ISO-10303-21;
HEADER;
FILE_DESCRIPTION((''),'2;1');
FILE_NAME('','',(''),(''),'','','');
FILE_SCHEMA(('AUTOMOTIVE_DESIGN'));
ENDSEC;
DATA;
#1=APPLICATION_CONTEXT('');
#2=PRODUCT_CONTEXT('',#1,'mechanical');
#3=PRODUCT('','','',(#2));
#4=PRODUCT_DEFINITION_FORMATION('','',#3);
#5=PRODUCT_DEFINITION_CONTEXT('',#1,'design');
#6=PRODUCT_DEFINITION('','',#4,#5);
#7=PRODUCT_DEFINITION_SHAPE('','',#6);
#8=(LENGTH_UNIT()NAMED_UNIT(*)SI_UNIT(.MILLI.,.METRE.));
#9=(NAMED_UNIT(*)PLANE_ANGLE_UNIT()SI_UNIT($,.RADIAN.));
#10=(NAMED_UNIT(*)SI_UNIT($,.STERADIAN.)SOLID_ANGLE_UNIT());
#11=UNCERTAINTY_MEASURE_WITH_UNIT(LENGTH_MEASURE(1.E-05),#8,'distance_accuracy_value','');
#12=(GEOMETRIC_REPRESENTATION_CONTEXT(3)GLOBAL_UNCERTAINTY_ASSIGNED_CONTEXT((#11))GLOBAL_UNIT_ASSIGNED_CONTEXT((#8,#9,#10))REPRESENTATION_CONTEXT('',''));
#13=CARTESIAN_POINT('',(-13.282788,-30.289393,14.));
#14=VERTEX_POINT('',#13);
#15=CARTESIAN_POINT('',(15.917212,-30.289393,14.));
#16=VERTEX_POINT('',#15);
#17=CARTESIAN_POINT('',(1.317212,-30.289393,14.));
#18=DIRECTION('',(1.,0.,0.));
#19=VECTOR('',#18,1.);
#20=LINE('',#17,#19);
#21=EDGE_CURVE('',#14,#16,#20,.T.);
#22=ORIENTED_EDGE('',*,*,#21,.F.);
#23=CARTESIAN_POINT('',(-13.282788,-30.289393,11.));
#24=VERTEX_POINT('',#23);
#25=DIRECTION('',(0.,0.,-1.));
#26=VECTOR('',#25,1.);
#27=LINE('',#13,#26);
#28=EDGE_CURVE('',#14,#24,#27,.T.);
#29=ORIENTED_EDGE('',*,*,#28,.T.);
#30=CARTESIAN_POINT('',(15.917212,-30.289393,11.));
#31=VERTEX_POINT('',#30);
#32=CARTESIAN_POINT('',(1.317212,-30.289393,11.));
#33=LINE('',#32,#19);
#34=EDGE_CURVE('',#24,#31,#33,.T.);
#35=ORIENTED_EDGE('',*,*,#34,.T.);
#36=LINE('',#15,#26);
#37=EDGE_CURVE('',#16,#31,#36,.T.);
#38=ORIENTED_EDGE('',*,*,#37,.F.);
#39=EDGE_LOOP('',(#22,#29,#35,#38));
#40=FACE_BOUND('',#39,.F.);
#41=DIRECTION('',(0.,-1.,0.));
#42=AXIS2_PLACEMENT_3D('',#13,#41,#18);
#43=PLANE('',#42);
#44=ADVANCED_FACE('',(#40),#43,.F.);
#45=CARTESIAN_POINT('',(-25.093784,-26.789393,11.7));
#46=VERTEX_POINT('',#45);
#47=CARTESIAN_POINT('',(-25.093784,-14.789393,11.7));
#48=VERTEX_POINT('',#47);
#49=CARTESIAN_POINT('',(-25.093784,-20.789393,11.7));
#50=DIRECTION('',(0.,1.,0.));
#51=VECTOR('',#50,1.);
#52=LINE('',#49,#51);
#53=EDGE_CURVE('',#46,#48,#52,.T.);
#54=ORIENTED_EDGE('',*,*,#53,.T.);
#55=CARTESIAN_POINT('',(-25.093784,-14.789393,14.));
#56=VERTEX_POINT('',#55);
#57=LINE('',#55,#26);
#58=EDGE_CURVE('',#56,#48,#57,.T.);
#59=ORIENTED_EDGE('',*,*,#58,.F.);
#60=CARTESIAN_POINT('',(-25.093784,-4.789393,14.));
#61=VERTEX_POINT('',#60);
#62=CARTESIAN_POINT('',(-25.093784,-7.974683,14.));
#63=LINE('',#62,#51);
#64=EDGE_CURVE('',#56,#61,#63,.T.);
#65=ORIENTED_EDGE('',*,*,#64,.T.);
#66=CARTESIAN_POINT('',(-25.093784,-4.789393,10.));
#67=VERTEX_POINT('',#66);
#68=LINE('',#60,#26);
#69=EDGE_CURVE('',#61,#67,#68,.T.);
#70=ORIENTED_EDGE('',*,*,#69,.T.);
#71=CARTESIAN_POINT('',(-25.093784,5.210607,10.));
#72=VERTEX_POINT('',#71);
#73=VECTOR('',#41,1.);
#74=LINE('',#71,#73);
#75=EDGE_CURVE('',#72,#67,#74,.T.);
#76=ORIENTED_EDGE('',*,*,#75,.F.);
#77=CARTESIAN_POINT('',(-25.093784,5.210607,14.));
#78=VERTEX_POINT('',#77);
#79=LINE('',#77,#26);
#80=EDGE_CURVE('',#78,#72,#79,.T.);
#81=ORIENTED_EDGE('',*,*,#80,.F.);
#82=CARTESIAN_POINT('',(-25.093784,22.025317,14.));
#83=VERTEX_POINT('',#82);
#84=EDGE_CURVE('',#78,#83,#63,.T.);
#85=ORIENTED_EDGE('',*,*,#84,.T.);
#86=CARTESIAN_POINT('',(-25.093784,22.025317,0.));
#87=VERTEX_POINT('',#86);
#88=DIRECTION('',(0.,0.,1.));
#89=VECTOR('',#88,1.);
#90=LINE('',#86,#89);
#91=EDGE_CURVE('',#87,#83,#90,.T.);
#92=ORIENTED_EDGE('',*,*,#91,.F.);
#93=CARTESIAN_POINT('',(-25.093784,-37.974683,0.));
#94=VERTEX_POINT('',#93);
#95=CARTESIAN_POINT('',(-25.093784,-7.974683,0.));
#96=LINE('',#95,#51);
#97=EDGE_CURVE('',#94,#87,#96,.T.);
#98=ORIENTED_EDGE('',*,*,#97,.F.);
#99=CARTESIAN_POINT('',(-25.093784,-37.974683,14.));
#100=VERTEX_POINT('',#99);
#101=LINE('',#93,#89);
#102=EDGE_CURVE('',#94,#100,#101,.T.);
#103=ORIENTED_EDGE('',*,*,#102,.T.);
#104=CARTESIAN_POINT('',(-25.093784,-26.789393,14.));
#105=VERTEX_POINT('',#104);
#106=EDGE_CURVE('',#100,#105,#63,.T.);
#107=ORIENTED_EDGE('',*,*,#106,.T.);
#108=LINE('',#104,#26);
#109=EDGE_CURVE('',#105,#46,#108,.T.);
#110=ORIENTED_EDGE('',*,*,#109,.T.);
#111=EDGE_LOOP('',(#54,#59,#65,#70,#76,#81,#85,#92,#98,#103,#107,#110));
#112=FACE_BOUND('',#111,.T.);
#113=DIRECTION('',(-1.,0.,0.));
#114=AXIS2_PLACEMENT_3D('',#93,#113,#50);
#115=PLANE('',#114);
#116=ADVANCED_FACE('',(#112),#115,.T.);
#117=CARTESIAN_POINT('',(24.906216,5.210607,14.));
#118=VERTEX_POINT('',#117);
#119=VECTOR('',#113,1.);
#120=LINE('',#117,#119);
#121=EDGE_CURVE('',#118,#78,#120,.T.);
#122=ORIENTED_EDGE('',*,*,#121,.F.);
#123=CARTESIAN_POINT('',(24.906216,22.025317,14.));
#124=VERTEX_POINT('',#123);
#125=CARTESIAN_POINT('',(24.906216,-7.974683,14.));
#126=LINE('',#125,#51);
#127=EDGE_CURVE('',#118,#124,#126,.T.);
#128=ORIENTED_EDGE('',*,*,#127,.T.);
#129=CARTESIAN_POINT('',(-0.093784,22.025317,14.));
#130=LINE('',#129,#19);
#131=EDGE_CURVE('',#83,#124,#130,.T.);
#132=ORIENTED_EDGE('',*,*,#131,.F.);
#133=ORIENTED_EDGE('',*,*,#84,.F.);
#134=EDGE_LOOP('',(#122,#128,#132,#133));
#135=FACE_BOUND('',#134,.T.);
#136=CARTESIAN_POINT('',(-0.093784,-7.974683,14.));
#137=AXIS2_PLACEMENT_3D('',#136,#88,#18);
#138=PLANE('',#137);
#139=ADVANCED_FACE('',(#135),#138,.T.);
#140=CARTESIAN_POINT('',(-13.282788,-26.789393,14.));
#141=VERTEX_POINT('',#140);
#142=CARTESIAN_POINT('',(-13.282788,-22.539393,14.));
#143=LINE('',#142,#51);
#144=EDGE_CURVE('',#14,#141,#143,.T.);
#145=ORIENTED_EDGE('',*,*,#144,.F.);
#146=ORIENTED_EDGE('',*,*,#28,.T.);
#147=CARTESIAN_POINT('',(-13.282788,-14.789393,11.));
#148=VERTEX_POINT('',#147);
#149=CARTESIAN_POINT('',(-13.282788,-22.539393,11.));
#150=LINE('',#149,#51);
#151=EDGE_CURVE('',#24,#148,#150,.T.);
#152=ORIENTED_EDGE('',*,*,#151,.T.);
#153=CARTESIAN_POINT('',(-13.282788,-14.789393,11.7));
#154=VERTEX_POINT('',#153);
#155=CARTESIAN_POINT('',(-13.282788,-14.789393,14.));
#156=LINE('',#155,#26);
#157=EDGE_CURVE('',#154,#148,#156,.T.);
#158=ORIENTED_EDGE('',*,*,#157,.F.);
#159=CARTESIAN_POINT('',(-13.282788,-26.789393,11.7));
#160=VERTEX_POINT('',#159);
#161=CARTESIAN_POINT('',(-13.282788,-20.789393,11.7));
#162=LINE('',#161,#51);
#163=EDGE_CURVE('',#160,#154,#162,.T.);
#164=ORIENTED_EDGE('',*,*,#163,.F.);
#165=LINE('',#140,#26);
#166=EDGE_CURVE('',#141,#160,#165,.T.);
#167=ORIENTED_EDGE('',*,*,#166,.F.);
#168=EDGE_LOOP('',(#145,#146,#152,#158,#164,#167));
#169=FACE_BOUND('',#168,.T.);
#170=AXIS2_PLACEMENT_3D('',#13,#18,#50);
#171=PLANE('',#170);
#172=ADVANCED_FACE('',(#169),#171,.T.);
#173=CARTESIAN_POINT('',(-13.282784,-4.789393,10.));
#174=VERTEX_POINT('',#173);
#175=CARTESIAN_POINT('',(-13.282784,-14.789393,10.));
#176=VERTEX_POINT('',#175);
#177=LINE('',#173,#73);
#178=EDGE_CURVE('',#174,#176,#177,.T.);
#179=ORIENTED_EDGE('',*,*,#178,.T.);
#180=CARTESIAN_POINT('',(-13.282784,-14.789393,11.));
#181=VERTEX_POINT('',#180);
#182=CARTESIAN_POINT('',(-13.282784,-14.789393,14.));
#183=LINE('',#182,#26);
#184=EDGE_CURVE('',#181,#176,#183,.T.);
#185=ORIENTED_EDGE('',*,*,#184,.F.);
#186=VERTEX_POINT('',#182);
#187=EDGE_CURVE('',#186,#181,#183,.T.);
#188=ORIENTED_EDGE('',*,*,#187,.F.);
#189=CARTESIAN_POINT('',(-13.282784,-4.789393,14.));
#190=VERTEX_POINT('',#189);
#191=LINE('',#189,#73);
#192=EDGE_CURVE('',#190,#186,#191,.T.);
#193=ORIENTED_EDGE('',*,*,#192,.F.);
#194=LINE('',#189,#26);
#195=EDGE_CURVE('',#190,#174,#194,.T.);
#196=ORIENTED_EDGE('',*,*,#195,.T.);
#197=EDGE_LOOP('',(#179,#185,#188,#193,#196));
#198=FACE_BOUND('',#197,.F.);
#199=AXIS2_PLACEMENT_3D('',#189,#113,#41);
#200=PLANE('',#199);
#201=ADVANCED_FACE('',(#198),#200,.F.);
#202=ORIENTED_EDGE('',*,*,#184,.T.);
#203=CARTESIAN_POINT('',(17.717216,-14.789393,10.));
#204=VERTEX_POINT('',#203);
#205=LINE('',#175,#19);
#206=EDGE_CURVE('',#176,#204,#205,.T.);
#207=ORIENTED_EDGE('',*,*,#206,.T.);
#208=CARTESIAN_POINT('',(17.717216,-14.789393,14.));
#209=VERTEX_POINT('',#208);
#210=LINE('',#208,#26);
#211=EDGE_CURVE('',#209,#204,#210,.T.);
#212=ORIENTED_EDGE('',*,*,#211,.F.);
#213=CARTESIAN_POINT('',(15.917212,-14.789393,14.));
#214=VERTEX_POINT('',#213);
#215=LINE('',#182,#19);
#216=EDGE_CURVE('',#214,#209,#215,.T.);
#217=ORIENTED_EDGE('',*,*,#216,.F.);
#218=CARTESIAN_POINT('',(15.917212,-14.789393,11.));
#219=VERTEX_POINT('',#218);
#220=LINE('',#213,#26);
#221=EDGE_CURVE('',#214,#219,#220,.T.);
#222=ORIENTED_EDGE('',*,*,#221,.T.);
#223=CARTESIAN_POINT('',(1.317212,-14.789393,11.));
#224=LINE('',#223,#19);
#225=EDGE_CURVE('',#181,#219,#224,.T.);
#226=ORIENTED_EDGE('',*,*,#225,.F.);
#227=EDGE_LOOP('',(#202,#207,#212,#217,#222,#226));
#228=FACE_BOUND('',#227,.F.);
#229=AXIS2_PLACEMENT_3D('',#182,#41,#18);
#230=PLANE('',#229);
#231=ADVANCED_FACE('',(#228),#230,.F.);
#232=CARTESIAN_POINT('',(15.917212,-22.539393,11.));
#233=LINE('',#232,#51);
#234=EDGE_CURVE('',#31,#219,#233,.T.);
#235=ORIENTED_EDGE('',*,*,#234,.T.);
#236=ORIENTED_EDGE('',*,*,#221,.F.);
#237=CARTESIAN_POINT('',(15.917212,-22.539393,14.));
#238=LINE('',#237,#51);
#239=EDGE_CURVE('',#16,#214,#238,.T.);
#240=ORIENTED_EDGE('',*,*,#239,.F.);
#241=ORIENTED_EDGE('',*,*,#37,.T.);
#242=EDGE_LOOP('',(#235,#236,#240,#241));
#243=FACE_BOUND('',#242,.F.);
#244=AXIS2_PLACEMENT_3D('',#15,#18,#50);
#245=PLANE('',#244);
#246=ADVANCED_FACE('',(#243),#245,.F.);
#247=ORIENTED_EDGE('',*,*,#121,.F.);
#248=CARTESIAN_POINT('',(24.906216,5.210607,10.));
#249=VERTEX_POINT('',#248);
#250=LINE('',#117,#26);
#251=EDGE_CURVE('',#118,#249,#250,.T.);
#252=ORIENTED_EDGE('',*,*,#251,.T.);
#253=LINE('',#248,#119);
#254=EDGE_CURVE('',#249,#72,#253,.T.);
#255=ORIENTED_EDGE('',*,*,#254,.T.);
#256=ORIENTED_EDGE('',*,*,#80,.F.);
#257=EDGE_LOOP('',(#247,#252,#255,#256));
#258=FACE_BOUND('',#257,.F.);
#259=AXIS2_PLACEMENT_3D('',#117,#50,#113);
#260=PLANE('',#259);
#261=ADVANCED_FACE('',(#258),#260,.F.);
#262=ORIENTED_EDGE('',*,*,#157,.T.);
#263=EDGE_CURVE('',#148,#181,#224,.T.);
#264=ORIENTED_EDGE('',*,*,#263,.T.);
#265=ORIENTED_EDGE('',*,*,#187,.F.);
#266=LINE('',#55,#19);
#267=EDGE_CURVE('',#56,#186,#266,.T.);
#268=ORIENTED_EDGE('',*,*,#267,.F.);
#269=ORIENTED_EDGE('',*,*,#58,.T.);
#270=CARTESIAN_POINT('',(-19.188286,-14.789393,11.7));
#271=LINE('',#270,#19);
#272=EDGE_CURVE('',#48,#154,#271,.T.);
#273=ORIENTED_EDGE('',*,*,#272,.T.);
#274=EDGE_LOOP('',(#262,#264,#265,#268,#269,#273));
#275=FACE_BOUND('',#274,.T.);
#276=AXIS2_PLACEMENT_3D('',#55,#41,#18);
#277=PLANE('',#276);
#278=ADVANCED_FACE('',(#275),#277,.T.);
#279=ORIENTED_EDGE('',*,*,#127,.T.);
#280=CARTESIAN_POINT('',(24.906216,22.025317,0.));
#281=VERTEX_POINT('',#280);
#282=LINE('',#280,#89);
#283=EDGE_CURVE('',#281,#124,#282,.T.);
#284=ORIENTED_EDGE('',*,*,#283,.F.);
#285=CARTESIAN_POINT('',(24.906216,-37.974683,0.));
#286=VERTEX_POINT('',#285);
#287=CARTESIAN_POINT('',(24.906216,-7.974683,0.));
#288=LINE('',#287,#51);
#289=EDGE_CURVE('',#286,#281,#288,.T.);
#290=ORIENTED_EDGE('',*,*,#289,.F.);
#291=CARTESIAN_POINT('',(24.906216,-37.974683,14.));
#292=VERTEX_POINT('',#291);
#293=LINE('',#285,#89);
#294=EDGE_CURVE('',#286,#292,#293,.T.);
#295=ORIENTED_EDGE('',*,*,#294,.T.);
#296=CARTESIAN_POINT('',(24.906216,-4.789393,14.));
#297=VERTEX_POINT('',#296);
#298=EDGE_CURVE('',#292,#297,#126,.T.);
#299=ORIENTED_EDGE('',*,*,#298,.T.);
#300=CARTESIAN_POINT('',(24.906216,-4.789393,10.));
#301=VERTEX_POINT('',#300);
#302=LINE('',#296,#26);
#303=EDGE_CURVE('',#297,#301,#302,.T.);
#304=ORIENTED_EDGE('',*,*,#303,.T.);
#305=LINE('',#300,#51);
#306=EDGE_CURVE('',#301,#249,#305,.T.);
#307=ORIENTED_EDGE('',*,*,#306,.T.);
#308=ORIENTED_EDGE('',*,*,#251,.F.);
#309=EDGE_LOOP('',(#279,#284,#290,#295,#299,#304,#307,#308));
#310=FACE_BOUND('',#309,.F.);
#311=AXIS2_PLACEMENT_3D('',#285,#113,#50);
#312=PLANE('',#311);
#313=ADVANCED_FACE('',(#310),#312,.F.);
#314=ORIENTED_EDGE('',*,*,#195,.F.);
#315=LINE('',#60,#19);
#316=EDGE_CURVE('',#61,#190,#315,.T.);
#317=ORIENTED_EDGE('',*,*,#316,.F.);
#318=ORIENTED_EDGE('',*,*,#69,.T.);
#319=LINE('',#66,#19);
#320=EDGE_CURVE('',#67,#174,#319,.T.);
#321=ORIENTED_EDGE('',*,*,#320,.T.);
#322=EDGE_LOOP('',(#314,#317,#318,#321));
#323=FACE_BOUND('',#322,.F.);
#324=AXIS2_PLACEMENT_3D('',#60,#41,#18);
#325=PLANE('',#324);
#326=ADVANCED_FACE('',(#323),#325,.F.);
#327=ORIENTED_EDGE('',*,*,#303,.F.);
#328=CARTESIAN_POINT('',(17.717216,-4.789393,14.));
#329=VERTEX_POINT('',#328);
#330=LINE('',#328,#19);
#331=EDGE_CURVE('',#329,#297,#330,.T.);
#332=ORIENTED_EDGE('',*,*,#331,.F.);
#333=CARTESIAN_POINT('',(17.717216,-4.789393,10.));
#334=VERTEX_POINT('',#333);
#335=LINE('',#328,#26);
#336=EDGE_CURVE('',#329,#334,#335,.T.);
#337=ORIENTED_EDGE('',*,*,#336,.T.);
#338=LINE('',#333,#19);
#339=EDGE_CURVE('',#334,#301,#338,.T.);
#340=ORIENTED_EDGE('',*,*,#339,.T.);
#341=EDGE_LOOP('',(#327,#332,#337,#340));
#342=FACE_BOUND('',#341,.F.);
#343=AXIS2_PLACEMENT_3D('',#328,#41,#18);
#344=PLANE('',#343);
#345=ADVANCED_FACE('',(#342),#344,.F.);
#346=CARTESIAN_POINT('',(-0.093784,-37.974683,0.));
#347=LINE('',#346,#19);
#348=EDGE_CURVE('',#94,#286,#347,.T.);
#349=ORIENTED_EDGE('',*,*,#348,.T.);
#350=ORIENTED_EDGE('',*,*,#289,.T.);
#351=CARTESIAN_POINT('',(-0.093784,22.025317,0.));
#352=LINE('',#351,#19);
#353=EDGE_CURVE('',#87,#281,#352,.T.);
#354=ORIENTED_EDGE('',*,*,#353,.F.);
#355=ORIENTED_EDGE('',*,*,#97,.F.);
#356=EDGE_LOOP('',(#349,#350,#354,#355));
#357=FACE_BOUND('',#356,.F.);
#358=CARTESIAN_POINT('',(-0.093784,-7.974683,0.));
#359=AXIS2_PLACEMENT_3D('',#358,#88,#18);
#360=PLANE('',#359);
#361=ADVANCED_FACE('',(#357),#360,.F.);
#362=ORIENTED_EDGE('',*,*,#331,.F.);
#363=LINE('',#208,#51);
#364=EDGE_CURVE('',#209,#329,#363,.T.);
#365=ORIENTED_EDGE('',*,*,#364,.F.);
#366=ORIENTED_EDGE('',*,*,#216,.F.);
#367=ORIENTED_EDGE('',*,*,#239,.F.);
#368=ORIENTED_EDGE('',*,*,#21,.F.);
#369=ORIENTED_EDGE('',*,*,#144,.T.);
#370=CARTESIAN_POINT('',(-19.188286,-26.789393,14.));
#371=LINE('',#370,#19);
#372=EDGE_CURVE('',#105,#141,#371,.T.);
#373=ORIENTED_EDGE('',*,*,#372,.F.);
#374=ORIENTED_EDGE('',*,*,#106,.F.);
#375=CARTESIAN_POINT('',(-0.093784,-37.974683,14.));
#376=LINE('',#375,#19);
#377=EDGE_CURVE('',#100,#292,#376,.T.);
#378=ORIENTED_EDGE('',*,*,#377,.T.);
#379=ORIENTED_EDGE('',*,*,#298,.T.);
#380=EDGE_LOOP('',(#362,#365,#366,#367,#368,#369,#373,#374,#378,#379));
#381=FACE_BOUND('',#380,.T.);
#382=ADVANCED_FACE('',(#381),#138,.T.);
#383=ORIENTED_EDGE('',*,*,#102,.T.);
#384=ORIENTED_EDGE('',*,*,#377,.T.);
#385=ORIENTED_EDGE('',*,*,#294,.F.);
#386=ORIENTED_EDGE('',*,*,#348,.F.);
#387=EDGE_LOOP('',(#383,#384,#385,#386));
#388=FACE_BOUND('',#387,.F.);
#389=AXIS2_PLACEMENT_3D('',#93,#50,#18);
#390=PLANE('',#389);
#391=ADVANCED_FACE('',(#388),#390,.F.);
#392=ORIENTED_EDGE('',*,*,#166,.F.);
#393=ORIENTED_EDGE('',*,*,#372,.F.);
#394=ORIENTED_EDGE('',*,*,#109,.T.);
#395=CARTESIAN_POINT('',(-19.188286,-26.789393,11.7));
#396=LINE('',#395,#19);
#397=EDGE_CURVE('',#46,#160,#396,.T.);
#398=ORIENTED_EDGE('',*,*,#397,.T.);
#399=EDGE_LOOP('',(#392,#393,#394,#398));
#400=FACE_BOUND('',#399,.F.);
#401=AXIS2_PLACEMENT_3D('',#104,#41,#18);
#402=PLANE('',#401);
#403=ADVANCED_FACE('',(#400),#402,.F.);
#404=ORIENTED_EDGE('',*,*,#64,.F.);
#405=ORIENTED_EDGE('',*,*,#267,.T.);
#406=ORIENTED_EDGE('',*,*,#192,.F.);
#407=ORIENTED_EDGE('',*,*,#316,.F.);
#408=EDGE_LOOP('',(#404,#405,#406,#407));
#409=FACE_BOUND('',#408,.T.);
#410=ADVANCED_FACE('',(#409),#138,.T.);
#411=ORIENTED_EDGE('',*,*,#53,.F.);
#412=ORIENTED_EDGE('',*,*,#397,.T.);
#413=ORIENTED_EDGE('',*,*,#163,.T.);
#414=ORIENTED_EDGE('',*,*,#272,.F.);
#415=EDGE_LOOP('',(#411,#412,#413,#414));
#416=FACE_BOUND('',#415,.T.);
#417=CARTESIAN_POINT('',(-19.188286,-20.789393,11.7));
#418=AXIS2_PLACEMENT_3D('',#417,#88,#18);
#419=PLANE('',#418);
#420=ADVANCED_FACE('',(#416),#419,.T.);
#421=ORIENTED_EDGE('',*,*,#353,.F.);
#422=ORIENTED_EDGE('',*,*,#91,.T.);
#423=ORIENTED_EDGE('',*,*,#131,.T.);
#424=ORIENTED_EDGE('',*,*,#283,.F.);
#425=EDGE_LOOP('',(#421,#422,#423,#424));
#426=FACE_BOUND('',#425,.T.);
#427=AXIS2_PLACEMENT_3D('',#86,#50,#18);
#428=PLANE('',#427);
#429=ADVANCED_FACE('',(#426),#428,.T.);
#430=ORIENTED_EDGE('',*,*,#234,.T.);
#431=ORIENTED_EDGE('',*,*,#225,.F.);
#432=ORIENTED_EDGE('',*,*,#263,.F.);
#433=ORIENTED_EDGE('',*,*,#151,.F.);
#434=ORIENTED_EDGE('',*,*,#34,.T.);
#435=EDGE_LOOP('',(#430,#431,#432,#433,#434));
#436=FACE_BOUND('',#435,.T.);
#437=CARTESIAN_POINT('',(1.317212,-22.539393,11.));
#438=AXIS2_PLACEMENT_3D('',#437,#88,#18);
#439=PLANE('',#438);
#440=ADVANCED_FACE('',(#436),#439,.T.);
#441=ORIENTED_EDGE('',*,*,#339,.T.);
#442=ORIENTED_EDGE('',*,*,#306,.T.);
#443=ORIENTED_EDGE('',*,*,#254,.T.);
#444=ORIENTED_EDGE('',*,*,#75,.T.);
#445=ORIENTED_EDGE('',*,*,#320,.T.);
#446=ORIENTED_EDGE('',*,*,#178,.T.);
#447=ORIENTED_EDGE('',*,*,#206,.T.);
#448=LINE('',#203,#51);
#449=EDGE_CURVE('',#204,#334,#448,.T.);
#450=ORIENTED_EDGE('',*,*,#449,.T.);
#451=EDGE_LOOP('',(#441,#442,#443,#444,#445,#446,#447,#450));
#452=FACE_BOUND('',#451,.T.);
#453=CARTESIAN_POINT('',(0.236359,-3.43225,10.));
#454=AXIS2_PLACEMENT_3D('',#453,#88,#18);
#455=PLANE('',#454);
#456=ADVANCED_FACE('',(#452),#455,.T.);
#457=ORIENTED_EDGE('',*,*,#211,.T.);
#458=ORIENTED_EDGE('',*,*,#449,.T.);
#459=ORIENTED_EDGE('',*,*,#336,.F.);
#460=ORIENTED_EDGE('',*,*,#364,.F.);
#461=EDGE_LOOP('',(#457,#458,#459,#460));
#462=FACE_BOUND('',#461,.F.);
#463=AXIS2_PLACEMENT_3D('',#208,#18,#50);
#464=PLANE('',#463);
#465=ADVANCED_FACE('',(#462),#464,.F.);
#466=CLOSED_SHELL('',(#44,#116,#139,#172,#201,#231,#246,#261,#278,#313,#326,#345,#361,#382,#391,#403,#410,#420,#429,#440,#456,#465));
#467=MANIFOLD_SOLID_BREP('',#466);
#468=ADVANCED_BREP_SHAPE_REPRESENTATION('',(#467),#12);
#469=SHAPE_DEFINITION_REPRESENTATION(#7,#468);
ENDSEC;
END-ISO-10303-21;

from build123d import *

# Parameters (mm, degrees)
F0_W     = 50
F0_H     = 60
F1_DEPTH = 14
F2_W     = 29.2
F2_H     = 15.5
F3_DEPTH = 3
F4_W     = 11.810996
F4_H     = 12
F5_DEPTH = 2.3
F7_DEPTH = 4


with BuildPart() as f1:
    # F0 (on Top) → F1 (new body)
    with BuildSketch(Plane.XY):
        with Locations((-0.093784, -7.974683)):
            Rectangle(F0_W, F0_H)
    extrude(amount=F1_DEPTH)

    # F2 (on face) → F3 (cut)
    with BuildSketch(Plane.XY.offset(14)):
        with Locations((1.317212, -22.539393)):
            Rectangle(F2_W, F2_H)
    extrude(amount=-F3_DEPTH, mode=Mode.SUBTRACT)

    # F4 (on face) → F5 (cut)
    with BuildSketch(Plane.XY.offset(14)):
        with Locations((-19.188286, -20.789393)):
            Rectangle(F4_W, F4_H)
    extrude(amount=-F5_DEPTH, mode=Mode.SUBTRACT)

    # F6 (on face) → F7 (cut)
    with BuildSketch(Plane.XY.offset(14)):
        Polygon((-13.282784, -4.789393), (-13.282784, -14.789393), (15.917212, -14.789393), (17.717216, -14.789393), (17.717216, -4.789393), (24.906216, -4.789393), (24.906216, 5.210607), (17.717216, 5.210607), (-13.282784, 5.210607), (-25.093784, 5.210607), (-25.093784, -4.789393), align=None)
    extrude(amount=-F7_DEPTH, mode=Mode.SUBTRACT)


solid = f1.part
